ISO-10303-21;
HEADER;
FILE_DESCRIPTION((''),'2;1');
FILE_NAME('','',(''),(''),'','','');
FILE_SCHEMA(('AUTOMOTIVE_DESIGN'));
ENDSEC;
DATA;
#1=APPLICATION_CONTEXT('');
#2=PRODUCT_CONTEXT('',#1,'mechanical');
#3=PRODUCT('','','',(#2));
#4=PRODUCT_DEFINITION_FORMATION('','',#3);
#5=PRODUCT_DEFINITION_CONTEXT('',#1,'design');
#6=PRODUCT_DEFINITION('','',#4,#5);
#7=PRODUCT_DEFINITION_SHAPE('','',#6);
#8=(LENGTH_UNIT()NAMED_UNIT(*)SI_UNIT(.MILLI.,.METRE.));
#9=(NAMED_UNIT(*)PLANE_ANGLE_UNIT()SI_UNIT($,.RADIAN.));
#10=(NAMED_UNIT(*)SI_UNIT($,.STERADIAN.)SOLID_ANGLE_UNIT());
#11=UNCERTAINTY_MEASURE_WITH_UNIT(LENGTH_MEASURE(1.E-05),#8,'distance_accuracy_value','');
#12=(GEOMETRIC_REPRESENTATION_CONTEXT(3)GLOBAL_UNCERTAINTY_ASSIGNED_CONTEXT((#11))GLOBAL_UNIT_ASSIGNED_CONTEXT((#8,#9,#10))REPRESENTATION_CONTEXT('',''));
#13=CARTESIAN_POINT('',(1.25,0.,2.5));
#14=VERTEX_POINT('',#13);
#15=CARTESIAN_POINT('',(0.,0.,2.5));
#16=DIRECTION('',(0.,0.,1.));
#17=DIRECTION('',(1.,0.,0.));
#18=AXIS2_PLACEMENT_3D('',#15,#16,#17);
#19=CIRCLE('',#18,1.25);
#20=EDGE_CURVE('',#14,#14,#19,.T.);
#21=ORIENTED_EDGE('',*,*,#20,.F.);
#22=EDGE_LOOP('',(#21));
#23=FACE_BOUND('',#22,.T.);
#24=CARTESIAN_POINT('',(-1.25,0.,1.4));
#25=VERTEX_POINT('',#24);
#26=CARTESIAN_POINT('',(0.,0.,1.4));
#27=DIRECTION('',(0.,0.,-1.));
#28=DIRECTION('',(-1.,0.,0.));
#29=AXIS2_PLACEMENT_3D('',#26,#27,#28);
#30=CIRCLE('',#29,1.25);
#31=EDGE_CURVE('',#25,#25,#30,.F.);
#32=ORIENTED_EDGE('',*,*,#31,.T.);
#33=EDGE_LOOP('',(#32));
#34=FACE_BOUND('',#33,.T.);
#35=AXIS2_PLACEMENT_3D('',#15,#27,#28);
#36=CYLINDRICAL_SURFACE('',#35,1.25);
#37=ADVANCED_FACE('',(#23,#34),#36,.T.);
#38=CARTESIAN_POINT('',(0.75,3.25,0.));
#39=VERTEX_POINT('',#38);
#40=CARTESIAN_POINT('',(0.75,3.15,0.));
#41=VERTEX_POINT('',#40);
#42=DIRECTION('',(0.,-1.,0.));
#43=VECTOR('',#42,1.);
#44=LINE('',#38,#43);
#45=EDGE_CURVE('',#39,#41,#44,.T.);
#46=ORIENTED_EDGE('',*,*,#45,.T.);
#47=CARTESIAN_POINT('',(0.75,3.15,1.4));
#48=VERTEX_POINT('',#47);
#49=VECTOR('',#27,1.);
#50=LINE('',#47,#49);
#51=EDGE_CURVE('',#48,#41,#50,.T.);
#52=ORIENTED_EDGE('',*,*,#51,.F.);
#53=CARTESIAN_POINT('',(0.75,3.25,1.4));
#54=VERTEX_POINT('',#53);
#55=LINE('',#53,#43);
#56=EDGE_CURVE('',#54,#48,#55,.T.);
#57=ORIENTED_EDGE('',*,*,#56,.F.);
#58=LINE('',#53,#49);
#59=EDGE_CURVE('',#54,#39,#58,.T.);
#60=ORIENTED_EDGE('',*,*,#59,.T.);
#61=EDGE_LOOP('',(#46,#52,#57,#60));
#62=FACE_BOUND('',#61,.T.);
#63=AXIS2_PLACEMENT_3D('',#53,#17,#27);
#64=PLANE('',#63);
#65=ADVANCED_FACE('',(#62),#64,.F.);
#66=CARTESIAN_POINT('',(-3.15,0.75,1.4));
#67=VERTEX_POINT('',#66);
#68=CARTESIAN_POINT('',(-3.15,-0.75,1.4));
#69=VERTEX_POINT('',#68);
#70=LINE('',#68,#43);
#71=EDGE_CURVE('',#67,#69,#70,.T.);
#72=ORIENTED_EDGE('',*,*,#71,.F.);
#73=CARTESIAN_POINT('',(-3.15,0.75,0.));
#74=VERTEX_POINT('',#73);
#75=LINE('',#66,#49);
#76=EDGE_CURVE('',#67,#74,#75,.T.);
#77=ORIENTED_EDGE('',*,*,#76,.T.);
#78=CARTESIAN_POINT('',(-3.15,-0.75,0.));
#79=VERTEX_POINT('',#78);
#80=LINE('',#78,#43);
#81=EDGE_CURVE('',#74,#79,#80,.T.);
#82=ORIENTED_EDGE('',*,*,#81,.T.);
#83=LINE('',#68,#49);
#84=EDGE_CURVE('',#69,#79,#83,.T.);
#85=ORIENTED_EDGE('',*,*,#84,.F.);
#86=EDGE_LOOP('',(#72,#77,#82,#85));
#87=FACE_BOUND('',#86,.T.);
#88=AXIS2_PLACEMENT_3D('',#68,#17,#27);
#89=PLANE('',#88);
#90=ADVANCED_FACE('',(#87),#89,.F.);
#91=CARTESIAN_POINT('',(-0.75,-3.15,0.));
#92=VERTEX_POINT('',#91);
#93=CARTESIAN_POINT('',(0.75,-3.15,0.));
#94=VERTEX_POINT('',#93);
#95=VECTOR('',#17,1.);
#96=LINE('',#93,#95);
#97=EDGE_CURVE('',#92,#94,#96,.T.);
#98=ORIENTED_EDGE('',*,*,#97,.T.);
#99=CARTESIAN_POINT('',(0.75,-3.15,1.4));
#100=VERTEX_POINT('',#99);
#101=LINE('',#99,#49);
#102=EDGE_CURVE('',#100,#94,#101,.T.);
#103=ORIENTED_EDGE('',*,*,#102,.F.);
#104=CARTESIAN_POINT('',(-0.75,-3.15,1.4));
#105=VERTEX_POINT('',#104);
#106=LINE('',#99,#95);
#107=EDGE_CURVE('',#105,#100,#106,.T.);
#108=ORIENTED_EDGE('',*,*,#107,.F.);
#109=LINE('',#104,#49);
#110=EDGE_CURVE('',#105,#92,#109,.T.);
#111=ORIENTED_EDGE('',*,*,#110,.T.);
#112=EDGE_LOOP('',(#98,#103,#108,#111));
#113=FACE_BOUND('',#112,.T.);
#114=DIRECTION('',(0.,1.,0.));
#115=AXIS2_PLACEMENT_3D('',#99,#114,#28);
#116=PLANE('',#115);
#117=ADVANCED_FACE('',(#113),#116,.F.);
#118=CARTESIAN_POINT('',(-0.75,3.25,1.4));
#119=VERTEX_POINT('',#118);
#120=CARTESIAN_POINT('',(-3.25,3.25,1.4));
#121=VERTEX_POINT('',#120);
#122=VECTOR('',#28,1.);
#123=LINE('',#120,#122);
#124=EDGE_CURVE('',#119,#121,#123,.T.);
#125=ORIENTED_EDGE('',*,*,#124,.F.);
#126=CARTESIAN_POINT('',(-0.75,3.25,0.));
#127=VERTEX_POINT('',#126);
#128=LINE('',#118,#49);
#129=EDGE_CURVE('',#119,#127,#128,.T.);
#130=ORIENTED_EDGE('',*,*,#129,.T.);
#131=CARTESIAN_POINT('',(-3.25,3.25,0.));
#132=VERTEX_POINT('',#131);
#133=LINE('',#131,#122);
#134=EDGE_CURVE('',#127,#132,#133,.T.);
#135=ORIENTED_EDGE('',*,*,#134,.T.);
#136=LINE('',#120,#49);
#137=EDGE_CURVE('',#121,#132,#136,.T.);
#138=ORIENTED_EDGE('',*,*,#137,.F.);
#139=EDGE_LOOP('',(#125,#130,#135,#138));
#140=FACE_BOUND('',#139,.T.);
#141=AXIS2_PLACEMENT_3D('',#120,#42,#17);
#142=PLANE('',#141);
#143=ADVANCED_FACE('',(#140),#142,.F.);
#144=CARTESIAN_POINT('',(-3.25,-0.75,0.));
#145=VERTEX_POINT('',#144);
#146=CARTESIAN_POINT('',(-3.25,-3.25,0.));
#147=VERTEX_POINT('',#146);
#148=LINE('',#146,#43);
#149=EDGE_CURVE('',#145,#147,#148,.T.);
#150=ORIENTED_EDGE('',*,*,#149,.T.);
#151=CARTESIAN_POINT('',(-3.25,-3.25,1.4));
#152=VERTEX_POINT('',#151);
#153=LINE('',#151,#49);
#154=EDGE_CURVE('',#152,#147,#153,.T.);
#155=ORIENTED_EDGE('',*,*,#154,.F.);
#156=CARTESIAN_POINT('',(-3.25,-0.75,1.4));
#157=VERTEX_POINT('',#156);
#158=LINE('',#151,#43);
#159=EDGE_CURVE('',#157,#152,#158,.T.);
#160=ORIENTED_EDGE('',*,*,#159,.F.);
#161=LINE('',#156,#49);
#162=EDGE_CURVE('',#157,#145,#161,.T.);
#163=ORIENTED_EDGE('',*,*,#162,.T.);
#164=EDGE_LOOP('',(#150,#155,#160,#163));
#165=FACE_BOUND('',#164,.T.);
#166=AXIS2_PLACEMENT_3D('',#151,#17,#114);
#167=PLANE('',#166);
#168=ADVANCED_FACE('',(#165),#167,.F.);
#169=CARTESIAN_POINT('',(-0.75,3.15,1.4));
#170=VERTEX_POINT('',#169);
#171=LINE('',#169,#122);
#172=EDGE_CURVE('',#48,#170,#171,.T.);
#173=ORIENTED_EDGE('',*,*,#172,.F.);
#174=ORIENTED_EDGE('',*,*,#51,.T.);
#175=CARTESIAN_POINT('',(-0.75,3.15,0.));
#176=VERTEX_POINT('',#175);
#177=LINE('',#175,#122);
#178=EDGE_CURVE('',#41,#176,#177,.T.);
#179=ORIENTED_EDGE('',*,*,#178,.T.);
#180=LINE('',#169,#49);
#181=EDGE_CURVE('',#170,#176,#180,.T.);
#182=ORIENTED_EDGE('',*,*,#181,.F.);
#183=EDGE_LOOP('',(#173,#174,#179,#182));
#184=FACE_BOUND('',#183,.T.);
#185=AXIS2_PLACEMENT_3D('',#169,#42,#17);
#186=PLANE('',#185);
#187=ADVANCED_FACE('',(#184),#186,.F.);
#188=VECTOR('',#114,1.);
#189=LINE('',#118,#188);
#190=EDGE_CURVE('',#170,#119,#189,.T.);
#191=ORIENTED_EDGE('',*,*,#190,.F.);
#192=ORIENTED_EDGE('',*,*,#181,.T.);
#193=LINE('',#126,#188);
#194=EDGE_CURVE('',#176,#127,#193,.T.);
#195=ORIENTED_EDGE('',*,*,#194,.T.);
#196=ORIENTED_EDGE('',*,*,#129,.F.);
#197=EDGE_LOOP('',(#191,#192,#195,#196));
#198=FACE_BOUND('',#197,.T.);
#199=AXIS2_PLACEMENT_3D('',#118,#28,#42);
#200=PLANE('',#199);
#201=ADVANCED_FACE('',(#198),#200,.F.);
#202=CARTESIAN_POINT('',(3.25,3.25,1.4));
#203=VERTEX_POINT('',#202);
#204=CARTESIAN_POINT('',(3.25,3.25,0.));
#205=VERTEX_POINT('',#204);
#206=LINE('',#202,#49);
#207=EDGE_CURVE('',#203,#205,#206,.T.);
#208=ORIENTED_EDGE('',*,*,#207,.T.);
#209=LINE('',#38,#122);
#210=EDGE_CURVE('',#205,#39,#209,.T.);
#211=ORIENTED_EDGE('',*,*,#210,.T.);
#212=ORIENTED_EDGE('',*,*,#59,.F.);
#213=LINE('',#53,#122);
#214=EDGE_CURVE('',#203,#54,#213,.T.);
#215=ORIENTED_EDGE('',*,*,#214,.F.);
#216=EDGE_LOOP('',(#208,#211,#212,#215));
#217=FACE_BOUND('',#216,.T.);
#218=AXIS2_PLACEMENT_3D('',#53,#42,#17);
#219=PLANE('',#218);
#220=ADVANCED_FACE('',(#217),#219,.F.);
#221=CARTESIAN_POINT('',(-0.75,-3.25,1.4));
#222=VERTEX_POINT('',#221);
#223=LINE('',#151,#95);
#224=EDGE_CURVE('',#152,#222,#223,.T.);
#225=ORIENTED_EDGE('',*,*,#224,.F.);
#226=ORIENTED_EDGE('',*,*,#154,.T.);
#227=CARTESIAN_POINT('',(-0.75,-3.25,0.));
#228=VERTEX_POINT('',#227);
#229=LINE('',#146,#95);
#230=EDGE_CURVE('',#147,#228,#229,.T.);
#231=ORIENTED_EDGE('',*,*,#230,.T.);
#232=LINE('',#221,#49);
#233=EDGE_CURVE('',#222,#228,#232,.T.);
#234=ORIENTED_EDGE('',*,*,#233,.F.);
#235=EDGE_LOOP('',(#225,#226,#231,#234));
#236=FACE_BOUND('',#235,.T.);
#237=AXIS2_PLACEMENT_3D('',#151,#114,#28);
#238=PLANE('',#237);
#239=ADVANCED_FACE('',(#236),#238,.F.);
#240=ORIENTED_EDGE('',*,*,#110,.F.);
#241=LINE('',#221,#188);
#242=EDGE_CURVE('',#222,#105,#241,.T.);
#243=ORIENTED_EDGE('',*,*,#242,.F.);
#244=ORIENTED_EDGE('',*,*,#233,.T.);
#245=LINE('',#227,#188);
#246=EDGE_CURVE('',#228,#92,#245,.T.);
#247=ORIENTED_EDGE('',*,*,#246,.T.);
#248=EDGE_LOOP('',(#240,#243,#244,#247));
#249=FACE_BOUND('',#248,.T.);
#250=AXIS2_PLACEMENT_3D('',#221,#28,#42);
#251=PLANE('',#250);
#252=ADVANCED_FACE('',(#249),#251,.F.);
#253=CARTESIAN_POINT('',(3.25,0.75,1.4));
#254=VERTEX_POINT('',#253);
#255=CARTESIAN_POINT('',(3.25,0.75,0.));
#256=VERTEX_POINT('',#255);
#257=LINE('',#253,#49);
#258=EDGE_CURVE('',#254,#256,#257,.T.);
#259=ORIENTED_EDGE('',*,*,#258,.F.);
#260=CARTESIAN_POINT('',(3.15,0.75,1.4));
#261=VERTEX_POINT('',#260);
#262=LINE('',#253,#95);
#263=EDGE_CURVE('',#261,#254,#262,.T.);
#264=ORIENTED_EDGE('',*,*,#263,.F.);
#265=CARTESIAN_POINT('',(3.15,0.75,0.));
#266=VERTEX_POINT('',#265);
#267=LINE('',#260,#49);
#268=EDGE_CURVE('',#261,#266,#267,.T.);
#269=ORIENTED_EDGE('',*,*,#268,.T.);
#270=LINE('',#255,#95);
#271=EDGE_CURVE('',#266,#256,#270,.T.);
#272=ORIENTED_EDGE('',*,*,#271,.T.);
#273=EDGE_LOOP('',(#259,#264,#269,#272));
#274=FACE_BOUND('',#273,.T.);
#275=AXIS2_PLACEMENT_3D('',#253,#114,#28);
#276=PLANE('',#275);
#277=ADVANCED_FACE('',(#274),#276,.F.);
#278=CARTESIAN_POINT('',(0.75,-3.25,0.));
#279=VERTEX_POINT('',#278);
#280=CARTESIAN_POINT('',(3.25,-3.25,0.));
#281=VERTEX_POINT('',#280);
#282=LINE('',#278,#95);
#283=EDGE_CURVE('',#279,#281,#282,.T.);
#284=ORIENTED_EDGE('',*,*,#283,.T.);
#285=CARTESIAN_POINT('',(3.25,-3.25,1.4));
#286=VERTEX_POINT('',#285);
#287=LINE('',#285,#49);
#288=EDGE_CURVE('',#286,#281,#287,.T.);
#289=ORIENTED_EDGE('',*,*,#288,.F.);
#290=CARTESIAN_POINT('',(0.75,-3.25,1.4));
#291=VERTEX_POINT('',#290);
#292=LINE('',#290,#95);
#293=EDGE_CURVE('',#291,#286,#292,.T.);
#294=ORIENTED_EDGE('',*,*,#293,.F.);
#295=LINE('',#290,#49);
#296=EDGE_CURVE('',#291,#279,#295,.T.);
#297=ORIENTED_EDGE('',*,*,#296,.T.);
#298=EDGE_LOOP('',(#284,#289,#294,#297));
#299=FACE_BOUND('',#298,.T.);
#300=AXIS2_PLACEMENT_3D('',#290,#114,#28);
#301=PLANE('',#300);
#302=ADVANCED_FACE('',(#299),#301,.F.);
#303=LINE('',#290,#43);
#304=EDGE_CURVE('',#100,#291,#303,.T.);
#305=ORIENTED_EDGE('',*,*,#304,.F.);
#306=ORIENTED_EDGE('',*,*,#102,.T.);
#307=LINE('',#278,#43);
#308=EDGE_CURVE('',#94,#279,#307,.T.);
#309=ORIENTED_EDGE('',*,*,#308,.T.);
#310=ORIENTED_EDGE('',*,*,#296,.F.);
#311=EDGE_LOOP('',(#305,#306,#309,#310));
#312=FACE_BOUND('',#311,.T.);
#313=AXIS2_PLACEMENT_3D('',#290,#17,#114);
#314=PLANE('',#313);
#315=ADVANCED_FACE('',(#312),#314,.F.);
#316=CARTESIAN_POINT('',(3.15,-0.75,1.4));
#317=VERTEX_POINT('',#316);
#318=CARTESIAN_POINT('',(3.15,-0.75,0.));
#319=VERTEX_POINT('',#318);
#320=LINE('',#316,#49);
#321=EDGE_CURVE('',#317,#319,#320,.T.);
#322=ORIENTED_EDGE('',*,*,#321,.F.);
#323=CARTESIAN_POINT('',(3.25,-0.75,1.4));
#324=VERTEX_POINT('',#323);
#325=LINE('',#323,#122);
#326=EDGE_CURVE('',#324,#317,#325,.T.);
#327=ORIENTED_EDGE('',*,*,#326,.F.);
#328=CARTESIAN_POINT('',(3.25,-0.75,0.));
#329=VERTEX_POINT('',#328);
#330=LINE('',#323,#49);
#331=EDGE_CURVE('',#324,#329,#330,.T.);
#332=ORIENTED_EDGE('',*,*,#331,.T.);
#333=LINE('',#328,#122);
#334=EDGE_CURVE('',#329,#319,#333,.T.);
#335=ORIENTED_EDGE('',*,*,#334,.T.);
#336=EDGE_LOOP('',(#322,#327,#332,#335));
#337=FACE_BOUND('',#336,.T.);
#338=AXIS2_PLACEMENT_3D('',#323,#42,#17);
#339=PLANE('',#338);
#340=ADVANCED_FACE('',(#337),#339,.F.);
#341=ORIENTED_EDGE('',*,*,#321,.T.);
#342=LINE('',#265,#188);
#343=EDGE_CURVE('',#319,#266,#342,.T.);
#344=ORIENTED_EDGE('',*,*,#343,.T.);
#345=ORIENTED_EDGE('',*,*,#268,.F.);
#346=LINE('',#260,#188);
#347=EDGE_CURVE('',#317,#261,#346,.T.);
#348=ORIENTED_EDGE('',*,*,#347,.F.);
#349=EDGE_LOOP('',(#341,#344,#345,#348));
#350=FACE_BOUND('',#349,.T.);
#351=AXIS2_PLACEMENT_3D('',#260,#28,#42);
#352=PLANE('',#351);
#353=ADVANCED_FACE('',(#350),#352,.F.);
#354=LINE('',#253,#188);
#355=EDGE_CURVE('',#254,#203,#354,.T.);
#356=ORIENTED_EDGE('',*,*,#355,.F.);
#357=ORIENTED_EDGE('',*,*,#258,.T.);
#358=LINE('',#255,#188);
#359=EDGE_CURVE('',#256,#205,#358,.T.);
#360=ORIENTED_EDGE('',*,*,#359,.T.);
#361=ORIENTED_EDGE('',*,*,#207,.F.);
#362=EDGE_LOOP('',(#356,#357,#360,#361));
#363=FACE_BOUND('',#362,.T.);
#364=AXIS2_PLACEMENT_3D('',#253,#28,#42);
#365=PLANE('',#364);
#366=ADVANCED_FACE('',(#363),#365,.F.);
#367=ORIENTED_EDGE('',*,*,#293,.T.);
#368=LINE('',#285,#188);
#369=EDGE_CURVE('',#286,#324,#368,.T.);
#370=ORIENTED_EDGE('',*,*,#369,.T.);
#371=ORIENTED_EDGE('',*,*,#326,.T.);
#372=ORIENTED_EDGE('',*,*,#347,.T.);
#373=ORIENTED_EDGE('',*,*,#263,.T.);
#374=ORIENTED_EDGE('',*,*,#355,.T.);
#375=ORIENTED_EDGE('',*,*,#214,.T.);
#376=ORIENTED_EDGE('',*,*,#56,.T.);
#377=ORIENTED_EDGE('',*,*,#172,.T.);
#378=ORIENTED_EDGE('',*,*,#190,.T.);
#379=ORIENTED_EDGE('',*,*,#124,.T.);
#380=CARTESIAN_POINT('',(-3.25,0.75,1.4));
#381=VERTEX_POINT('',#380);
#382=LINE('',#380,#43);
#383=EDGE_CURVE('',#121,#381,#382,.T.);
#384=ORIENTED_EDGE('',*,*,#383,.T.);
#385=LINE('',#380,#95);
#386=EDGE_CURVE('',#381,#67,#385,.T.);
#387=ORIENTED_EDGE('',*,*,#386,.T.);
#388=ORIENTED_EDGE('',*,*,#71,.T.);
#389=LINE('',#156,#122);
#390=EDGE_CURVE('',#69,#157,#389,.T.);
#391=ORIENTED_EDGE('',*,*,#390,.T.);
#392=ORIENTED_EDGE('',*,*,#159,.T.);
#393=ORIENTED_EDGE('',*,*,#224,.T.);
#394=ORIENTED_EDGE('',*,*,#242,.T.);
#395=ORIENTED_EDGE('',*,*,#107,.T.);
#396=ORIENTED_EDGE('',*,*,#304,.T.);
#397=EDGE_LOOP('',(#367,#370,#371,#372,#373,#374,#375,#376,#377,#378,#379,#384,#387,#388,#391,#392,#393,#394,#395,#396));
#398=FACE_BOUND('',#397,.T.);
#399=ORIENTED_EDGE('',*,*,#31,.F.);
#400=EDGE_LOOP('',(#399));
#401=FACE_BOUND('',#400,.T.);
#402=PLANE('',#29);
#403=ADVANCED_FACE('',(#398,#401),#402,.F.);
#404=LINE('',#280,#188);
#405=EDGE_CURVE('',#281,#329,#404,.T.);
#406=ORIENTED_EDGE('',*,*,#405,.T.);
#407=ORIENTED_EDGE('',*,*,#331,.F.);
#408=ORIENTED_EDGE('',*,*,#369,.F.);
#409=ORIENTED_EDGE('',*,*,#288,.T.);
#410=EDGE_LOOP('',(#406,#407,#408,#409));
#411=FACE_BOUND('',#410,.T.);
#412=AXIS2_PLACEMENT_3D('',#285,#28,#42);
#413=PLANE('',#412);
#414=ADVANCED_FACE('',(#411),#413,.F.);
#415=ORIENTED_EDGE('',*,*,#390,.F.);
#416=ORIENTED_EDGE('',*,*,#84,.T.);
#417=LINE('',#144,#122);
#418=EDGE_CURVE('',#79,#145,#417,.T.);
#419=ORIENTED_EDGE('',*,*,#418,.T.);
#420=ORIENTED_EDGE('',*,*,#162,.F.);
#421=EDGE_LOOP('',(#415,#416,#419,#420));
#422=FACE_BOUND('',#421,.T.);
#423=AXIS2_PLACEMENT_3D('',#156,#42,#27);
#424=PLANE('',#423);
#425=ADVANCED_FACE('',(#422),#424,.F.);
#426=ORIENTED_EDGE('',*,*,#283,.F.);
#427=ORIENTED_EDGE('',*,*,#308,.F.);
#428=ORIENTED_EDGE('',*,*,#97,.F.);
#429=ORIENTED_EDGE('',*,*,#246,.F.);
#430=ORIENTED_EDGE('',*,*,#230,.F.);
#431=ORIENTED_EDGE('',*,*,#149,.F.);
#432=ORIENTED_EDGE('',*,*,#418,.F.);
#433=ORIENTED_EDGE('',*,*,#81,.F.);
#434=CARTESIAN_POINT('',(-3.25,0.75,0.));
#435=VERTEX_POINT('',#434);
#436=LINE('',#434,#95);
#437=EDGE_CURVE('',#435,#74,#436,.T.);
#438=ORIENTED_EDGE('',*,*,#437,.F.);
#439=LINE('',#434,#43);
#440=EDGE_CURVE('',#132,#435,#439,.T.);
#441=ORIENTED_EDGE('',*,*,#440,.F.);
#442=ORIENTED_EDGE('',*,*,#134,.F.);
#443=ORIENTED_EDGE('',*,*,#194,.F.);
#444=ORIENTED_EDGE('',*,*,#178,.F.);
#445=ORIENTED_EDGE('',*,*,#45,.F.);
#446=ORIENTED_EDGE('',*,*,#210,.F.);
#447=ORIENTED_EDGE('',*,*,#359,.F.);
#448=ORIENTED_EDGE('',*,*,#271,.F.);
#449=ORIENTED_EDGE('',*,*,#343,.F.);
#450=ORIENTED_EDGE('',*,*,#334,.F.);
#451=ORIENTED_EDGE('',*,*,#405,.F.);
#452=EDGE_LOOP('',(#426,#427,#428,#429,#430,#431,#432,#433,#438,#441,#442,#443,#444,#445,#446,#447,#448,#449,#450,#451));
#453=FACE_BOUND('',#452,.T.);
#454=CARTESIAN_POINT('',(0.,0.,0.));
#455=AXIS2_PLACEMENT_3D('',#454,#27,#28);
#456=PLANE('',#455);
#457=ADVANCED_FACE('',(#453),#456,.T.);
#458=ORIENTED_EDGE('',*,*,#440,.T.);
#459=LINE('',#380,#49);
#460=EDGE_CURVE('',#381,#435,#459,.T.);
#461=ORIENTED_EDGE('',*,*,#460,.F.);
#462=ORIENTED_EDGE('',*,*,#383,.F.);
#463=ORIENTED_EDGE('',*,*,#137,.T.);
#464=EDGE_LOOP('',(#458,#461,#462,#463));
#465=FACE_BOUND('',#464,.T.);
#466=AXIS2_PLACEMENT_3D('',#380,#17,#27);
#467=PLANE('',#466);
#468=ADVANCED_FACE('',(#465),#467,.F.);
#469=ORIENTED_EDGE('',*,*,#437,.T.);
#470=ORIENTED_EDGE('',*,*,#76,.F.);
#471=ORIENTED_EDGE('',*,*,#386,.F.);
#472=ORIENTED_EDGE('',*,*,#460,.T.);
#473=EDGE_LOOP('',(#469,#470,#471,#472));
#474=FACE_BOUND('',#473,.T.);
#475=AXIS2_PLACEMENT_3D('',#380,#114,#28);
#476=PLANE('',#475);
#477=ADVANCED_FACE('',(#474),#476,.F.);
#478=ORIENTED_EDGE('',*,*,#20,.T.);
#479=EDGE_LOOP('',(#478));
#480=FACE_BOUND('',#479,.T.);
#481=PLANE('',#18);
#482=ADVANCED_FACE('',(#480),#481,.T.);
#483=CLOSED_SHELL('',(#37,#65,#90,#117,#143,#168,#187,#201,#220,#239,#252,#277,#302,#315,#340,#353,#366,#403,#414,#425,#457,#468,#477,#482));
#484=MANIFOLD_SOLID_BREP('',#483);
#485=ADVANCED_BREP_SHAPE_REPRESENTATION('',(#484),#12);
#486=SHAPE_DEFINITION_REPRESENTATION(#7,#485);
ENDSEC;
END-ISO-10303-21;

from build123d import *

# Parameters (mm, degrees)
BOSS_EXTRU_1_DEPTH = 1.4
ESQUISSE2_R        = 1.25
BOSS_EXTRU_2_DEPTH = 1.1


with BuildPart() as part:
    # Esquisse1 → Boss.-Extru.1 (new body)
    with BuildSketch(Plane.XY):
        Polygon((-3.25, 0.75), (-3.25, 3.25), (-0.75, 3.25), (-0.75, 3.15), (0.75, 3.15), (0.75, 3.25), (3.25, 3.25), (3.25, 0.75), (3.15, 0.75), (3.15, -0.75), (3.25, -0.75), (3.25, -3.25), (0.75, -3.25), (0.75, -3.15), (-0.75, -3.15), (-0.75, -3.25), (-3.25, -3.25), (-3.25, -0.75), (-3.15, -0.75), (-3.15, 0.75), align=None)
    extrude(amount=BOSS_EXTRU_1_DEPTH)

    # Esquisse2 → Boss.-Extru.2 (add)
    with BuildSketch(Plane.XY.offset(1.4)):
        with Locations(Location((0, 0, 0), (0, 0, 180))):
            Circle(ESQUISSE2_R)
    extrude(amount=BOSS_EXTRU_2_DEPTH)


solid = part.part
